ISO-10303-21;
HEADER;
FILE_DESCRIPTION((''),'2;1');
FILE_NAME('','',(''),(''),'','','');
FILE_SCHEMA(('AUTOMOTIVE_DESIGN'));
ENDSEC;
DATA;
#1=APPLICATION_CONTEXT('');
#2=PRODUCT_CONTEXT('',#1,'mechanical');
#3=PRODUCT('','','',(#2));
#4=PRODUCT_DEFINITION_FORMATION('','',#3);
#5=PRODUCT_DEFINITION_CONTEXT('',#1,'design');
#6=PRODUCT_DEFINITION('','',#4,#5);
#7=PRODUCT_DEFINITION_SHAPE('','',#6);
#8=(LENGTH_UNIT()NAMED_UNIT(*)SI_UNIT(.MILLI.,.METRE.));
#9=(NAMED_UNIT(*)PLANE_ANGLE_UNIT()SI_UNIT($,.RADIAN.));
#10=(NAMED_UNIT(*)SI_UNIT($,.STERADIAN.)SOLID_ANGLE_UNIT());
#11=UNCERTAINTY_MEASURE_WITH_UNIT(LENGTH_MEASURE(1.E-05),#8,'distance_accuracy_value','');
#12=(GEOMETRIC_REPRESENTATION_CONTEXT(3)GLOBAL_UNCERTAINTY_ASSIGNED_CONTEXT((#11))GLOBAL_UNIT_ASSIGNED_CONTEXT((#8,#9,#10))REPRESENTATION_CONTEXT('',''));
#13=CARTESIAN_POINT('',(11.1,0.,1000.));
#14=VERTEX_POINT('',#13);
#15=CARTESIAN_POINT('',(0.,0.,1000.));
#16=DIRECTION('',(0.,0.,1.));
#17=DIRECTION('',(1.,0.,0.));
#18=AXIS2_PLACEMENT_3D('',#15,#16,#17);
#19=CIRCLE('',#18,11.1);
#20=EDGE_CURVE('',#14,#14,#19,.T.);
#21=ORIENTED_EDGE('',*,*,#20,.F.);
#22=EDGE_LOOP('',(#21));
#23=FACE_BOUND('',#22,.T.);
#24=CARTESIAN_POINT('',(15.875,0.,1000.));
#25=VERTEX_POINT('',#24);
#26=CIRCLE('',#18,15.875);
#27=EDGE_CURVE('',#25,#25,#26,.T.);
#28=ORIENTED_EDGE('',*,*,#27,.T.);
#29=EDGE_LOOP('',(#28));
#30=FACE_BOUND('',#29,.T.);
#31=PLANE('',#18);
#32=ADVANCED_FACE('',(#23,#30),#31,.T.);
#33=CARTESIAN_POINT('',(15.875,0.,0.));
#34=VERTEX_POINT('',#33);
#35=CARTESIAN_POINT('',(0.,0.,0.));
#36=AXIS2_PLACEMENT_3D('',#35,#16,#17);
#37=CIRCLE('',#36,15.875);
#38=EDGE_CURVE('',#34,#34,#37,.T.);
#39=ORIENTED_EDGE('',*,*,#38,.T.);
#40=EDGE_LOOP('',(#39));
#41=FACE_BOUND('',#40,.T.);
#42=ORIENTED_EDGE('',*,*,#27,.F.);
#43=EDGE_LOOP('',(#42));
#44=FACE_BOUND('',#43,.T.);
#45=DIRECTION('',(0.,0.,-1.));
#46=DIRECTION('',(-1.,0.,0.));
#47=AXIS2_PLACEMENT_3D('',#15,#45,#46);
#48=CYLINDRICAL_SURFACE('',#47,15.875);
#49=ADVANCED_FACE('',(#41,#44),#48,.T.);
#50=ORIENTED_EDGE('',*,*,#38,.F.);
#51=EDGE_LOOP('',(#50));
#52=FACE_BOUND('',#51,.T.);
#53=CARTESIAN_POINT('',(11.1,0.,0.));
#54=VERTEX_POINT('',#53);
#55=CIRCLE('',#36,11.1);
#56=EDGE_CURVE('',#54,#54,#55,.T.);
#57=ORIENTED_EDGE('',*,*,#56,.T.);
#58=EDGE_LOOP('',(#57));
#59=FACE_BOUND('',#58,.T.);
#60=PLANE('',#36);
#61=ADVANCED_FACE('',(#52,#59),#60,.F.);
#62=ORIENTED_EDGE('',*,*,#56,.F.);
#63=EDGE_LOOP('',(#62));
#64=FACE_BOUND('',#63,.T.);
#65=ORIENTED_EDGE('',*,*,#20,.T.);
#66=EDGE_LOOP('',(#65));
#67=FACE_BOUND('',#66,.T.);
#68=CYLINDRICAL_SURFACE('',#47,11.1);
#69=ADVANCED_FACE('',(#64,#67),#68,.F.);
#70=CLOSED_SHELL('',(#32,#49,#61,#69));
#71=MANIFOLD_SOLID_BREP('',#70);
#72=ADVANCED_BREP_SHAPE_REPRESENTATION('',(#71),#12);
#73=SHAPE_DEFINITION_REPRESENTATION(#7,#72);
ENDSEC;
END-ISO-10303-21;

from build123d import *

# Parameters (mm, degrees)
SKETCH1_R           = 15.875
SKETCH1_R_2         = 11.1
BOSS_EXTRUDE1_DEPTH = 1000


with BuildPart() as part:
    # Sketch1 → Boss-Extrude1 (new body)
    with BuildSketch(Plane(origin=(0, 0, 0), x_dir=(0, 1, 0), z_dir=(0, 0, 1))):
        with Locations(Location((0, 0, 0), (0, 0, 270))):
            Circle(SKETCH1_R)
        with Locations(Location((0, 0, 0), (0, 0, 270))):
            Circle(SKETCH1_R_2, mode=Mode.SUBTRACT)
    extrude(amount=BOSS_EXTRUDE1_DEPTH)


solid = part.part
